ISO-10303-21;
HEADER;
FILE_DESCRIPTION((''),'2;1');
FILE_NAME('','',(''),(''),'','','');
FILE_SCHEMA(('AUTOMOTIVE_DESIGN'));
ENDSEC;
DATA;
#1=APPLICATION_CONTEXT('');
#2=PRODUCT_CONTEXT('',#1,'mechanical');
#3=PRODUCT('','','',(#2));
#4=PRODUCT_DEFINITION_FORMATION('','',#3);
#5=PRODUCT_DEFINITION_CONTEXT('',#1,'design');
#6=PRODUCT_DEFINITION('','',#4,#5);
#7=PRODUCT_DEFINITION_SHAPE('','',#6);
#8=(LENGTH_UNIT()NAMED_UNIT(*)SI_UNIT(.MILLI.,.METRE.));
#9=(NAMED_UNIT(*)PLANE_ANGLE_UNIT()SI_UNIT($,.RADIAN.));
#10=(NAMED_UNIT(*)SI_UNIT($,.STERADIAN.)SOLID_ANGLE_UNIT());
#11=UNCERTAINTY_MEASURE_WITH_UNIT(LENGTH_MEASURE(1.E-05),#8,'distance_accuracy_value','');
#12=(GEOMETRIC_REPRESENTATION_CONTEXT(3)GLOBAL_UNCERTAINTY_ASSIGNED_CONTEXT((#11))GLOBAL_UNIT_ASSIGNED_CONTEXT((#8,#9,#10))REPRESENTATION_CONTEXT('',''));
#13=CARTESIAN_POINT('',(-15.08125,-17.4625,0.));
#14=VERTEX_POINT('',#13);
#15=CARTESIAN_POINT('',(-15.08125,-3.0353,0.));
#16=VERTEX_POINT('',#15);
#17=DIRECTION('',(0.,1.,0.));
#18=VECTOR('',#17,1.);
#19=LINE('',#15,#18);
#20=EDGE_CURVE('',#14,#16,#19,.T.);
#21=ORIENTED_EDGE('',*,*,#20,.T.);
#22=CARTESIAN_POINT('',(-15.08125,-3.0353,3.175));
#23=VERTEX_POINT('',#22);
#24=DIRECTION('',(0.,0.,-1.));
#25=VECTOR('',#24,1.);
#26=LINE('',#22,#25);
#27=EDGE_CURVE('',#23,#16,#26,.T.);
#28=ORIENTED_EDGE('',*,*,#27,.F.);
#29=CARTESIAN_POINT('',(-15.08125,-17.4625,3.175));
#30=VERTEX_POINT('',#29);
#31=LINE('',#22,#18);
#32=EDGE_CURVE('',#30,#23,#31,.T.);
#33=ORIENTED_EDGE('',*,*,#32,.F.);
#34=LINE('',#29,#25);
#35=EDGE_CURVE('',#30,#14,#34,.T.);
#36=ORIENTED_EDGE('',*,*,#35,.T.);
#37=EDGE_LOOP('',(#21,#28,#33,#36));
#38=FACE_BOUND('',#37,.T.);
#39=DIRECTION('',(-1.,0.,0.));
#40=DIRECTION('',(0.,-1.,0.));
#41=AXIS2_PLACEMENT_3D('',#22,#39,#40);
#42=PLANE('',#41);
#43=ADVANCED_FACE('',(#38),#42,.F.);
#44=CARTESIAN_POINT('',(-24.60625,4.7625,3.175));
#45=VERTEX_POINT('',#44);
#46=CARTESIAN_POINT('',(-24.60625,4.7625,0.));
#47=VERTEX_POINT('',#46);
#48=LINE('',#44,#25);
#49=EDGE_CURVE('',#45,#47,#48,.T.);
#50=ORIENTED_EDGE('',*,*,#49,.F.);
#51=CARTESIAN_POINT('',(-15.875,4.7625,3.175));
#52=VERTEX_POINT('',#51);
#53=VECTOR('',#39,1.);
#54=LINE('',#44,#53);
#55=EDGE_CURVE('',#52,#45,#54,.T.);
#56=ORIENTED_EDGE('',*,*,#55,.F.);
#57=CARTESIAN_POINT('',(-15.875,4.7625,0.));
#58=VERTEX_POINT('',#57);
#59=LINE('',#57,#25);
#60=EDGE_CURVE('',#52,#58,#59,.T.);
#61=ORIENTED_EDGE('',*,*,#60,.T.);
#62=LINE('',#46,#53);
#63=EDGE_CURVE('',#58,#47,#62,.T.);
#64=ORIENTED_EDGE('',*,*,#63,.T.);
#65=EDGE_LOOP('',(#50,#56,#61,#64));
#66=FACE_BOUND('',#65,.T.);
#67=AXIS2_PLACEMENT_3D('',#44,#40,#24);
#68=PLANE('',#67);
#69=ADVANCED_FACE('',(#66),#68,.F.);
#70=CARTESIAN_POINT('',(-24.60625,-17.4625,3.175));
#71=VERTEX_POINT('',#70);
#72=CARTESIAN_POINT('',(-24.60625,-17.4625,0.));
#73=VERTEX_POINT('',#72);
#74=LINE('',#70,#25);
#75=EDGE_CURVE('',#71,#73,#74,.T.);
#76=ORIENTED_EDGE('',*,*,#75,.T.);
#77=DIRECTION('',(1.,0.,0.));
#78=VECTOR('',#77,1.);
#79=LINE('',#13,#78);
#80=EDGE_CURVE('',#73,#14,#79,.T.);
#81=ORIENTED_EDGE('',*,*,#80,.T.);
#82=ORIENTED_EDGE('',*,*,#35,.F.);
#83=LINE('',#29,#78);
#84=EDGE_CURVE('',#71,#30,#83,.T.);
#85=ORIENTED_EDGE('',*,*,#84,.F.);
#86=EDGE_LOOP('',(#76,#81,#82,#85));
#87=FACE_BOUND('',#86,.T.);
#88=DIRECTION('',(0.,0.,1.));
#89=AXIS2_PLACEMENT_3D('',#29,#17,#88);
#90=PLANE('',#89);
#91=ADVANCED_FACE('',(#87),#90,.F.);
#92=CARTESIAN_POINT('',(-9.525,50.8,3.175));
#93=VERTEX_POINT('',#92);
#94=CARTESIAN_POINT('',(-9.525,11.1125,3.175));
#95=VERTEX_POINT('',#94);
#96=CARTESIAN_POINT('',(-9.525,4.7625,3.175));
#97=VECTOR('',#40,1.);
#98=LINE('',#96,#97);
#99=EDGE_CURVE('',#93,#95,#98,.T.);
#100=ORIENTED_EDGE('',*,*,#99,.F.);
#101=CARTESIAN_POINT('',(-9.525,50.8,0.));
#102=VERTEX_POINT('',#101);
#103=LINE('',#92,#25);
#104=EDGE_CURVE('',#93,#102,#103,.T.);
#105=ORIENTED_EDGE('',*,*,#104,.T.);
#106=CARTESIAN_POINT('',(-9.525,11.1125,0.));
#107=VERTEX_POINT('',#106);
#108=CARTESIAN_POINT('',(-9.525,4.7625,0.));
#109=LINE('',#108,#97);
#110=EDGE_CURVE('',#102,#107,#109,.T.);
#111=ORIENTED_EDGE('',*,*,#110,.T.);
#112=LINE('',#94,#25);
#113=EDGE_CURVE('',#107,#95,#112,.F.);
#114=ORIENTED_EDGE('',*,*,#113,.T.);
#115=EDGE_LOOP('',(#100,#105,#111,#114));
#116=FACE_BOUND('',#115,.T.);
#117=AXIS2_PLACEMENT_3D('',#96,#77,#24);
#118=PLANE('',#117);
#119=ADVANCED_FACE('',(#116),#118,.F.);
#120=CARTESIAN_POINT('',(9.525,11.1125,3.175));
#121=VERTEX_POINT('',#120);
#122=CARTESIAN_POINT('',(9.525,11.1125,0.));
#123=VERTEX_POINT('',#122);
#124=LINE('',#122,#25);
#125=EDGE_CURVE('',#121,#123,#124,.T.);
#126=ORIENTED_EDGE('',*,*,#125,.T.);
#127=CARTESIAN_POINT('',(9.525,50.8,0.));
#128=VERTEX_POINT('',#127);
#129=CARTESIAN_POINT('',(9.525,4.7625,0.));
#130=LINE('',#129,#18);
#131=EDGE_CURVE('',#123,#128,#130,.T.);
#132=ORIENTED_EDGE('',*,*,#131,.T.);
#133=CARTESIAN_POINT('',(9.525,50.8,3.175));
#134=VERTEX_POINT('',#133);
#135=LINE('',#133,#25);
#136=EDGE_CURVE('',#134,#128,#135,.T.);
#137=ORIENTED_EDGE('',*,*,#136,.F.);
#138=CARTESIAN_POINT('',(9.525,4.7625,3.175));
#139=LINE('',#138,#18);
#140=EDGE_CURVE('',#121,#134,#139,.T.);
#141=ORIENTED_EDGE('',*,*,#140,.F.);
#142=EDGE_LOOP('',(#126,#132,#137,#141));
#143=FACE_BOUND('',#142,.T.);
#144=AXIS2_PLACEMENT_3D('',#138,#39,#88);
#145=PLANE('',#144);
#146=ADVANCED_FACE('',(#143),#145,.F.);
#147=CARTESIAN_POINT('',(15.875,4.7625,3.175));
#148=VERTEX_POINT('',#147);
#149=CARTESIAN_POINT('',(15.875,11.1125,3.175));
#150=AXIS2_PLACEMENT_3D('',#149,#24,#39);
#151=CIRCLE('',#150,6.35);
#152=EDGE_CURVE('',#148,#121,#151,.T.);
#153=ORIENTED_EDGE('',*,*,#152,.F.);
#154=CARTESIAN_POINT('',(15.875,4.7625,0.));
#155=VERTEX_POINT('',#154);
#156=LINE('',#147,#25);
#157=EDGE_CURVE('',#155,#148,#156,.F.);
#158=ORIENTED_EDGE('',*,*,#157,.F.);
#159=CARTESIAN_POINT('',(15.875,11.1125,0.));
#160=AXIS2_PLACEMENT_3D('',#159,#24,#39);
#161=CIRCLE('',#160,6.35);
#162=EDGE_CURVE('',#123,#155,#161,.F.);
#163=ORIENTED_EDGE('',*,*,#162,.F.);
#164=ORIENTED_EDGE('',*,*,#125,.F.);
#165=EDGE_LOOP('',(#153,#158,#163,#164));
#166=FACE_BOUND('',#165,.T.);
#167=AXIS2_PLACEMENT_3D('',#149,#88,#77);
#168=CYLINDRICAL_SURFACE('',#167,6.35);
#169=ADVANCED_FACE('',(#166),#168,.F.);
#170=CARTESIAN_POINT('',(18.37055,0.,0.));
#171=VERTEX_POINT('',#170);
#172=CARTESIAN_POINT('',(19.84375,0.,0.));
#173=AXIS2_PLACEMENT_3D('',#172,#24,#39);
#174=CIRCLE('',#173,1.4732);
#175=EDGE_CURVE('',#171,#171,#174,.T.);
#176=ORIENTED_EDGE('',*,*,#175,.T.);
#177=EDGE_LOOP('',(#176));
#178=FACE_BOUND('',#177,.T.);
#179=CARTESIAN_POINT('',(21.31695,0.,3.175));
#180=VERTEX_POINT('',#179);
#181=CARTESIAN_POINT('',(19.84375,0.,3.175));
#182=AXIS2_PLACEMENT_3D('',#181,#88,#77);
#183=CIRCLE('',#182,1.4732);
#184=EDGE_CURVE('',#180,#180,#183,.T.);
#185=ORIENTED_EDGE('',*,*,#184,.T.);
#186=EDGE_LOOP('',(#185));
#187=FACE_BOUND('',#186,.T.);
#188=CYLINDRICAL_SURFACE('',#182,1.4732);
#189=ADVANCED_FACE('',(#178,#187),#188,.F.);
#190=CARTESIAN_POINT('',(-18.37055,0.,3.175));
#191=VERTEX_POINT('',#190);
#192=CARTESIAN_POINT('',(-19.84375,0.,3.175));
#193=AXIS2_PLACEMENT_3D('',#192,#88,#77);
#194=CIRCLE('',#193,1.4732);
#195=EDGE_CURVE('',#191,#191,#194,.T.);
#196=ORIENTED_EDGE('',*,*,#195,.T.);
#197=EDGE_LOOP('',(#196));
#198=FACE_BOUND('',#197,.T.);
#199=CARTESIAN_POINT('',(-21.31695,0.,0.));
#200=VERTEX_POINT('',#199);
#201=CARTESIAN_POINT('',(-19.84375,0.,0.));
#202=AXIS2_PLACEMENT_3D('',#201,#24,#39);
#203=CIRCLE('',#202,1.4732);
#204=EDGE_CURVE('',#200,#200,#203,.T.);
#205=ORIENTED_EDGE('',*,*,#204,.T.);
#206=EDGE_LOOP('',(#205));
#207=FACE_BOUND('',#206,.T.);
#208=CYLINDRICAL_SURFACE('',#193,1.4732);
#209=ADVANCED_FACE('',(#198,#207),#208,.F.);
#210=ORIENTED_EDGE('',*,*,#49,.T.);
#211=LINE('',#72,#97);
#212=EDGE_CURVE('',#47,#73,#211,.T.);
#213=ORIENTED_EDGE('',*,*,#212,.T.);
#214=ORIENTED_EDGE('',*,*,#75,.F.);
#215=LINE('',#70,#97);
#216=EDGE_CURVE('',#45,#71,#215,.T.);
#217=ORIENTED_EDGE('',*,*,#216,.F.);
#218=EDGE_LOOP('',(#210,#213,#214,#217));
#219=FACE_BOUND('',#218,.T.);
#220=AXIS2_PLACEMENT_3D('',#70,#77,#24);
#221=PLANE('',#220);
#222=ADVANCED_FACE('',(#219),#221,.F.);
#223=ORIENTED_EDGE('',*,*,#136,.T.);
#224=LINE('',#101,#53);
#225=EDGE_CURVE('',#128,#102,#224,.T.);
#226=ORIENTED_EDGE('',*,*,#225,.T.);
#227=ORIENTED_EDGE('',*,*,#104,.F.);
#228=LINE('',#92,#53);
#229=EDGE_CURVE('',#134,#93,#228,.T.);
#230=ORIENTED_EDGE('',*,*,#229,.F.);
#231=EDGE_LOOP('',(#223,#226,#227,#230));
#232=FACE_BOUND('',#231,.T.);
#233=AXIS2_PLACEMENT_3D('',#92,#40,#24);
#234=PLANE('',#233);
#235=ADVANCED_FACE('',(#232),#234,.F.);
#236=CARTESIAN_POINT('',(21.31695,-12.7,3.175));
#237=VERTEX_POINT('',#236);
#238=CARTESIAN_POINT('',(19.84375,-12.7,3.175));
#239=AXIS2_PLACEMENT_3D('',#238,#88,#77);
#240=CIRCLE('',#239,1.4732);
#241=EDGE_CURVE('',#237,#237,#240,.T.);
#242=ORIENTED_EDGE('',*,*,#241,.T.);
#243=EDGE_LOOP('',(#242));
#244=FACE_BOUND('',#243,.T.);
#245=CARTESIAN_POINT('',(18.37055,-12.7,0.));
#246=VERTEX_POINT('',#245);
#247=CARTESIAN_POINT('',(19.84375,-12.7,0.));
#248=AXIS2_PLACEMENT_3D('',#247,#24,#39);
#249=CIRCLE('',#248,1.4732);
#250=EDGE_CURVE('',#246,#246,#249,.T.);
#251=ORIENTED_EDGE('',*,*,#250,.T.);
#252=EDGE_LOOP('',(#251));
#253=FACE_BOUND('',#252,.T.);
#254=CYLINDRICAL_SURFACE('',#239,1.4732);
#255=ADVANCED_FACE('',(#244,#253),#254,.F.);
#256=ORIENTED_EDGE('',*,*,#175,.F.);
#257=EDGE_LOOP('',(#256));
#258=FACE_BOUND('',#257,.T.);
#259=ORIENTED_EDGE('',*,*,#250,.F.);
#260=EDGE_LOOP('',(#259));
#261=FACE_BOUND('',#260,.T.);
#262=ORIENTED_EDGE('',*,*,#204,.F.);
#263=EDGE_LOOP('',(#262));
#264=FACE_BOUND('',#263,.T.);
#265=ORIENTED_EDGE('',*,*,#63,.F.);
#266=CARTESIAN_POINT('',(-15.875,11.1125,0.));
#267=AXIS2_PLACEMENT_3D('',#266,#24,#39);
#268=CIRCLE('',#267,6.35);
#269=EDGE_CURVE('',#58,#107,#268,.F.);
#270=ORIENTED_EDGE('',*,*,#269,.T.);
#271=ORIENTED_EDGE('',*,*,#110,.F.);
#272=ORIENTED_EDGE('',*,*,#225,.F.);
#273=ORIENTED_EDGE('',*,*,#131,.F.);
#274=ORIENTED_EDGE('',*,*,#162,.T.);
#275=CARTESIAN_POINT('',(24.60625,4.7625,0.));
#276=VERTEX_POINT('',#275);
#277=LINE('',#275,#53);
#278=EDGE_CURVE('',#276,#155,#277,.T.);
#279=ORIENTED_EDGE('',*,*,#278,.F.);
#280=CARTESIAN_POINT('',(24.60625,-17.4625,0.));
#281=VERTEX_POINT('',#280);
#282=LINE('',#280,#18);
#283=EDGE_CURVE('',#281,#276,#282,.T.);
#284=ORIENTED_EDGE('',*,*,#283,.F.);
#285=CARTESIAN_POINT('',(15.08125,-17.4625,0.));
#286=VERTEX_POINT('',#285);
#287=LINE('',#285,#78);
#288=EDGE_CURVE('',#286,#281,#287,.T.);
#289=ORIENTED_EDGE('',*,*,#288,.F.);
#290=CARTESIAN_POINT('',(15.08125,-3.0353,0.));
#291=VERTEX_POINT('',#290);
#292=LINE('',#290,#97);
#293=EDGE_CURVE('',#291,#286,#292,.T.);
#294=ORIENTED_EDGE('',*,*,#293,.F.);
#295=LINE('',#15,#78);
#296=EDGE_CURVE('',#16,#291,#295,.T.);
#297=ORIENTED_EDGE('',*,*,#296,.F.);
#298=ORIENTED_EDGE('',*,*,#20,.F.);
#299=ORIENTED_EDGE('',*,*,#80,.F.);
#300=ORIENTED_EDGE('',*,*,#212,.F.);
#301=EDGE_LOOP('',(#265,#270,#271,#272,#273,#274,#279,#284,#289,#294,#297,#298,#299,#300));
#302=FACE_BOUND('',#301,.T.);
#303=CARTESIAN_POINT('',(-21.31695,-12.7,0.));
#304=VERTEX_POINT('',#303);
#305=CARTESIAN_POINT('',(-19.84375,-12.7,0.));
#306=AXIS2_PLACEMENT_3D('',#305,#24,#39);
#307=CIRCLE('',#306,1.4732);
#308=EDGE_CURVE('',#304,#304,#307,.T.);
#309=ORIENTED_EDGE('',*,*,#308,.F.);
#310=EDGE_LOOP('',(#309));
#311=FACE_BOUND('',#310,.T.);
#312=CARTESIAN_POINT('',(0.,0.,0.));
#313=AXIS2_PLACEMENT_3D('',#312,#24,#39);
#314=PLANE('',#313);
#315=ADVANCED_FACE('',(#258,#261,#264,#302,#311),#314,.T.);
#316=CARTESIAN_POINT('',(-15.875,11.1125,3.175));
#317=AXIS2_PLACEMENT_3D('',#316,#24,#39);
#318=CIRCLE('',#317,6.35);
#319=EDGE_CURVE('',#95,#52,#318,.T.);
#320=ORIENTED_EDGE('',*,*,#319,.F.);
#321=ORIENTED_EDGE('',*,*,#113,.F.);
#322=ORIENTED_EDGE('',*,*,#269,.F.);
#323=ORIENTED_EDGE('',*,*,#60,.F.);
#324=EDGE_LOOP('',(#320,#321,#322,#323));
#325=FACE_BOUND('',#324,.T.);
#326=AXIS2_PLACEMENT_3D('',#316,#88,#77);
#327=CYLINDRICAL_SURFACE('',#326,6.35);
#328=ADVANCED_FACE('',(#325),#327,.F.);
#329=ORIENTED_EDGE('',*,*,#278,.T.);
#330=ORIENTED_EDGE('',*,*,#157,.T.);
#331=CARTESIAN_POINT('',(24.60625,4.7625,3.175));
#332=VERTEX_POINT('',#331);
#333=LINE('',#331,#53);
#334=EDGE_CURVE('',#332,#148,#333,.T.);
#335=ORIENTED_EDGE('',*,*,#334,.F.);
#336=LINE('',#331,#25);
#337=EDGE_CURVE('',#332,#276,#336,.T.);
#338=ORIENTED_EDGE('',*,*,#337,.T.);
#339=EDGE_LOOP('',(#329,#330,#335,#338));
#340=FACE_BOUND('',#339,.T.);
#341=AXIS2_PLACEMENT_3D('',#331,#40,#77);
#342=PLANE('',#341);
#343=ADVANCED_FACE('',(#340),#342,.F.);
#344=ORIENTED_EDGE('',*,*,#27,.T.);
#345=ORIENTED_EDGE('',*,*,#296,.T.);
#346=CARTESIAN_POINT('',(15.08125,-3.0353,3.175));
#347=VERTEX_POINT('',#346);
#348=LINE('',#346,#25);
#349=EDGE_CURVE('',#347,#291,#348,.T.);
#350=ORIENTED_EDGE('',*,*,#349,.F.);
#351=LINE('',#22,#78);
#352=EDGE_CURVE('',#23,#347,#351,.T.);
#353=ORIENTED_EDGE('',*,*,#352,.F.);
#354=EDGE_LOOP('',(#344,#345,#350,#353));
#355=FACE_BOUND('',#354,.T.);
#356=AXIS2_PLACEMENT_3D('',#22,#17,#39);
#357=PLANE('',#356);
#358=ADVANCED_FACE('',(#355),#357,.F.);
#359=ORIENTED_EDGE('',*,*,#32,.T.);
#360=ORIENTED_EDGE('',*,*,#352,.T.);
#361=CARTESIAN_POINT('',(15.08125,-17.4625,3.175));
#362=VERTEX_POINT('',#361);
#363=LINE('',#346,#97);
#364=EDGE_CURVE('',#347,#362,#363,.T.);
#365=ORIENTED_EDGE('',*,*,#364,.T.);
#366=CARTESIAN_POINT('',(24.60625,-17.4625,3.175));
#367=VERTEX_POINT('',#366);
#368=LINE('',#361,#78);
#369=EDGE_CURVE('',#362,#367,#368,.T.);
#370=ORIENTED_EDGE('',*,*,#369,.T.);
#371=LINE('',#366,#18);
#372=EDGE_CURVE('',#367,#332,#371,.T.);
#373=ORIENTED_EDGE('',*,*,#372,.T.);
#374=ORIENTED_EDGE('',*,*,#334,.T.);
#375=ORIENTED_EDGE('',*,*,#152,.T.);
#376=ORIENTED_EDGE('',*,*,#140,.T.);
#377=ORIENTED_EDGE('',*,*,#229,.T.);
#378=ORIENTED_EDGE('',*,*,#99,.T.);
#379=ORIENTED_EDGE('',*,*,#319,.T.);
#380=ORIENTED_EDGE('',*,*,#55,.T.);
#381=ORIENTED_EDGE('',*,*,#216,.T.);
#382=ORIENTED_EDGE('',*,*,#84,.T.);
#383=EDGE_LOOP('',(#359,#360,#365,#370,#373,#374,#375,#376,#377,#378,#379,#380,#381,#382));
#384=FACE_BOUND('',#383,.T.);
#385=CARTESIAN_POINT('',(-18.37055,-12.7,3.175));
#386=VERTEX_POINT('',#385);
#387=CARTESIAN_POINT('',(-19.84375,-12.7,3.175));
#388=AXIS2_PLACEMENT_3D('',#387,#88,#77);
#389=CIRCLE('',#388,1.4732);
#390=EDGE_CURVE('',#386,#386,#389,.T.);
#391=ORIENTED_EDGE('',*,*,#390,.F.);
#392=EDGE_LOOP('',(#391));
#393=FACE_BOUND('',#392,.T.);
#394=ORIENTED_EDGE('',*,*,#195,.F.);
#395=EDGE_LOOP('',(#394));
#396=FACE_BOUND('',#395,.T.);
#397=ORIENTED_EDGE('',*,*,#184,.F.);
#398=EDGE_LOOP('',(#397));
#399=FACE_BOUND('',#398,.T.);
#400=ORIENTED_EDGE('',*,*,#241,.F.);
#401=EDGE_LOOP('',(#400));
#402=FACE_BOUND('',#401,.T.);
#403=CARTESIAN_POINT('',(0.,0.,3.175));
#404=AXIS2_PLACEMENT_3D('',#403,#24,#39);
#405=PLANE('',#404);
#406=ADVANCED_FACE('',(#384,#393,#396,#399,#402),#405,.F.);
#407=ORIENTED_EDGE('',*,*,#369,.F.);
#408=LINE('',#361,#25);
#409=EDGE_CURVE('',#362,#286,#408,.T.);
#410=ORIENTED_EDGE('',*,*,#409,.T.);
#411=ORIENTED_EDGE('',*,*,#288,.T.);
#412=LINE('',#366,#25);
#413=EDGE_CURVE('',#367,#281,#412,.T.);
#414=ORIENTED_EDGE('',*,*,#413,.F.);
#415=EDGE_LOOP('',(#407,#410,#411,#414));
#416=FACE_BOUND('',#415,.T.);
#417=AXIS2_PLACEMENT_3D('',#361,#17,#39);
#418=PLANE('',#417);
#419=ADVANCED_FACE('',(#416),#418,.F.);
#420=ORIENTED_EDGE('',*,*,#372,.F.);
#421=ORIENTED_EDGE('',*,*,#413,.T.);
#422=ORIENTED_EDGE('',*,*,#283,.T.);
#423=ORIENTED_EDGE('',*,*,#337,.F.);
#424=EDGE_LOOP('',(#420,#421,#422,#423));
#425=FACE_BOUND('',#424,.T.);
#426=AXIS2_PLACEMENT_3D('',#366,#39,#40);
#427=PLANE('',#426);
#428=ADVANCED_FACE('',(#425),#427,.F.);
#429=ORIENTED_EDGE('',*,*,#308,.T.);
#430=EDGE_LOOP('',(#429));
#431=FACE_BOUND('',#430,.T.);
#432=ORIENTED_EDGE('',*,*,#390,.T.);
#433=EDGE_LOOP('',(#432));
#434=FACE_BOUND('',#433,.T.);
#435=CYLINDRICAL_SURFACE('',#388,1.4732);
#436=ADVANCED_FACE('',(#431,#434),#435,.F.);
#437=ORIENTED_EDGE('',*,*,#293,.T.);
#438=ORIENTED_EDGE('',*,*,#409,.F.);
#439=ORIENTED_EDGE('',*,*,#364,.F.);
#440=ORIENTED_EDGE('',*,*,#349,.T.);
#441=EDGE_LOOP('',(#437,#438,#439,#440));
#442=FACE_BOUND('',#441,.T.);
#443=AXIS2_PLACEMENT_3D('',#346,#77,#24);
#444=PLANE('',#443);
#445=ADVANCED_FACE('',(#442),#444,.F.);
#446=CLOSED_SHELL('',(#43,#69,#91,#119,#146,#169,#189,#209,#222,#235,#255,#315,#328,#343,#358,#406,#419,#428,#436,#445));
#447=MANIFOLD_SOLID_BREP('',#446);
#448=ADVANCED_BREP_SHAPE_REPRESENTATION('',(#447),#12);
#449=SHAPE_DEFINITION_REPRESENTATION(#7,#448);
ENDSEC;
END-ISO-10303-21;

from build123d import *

# Parameters (mm, degrees)
BOSS_EXTRUDE1_DEPTH       = 3.175
F_4_CLEARANCE_HOLE1_D     = 2.9464
F_4_CLEARANCE_HOLE1_DEPTH = 3.302
F_4_CLEARANCE_HOLE1_TIP   = 0.885187864
FILLET1_R                 = 6.35


with BuildPart() as part:
    # Sketch1 → Boss-Extrude1 (new body)
    with BuildSketch(Plane.XY):
        Polygon((-15.08125, -3.0353), (-15.08125, -17.4625), (-24.60625, -17.4625), (-24.60625, 4.7625), (-9.525, 4.7625), (-9.525, 50.8), (9.525, 50.8), (9.525, 4.7625), (24.60625, 4.7625), (24.60625, -17.4625), (15.08125, -17.4625), (15.08125, -3.0353), align=None)
    extrude(amount=BOSS_EXTRUDE1_DEPTH)

    # #4 Clearance Hole1
    with Locations(Plane.XY.offset(3.175)):
        with Locations((-19.84375, 0), (19.84375, 0), (19.84375, -12.7), (-19.84375, -12.7)):
            Hole(F_4_CLEARANCE_HOLE1_D / 2, depth=F_4_CLEARANCE_HOLE1_DEPTH)
            with Locations((0, 0, -(F_4_CLEARANCE_HOLE1_DEPTH + F_4_CLEARANCE_HOLE1_TIP / 2))):  # 118° drill point
                Cone(0, F_4_CLEARANCE_HOLE1_D / 2, F_4_CLEARANCE_HOLE1_TIP, mode=Mode.SUBTRACT)

    # Fillet1
    fillet1_edges = [part.edges().sort_by_distance(p)[0] for p in [
        (-9.525, 4.7625, 1.5875),
        (9.525, 4.7625, 1.5875),
    ]]
    fillet(fillet1_edges, radius=FILLET1_R)


solid = part.part
